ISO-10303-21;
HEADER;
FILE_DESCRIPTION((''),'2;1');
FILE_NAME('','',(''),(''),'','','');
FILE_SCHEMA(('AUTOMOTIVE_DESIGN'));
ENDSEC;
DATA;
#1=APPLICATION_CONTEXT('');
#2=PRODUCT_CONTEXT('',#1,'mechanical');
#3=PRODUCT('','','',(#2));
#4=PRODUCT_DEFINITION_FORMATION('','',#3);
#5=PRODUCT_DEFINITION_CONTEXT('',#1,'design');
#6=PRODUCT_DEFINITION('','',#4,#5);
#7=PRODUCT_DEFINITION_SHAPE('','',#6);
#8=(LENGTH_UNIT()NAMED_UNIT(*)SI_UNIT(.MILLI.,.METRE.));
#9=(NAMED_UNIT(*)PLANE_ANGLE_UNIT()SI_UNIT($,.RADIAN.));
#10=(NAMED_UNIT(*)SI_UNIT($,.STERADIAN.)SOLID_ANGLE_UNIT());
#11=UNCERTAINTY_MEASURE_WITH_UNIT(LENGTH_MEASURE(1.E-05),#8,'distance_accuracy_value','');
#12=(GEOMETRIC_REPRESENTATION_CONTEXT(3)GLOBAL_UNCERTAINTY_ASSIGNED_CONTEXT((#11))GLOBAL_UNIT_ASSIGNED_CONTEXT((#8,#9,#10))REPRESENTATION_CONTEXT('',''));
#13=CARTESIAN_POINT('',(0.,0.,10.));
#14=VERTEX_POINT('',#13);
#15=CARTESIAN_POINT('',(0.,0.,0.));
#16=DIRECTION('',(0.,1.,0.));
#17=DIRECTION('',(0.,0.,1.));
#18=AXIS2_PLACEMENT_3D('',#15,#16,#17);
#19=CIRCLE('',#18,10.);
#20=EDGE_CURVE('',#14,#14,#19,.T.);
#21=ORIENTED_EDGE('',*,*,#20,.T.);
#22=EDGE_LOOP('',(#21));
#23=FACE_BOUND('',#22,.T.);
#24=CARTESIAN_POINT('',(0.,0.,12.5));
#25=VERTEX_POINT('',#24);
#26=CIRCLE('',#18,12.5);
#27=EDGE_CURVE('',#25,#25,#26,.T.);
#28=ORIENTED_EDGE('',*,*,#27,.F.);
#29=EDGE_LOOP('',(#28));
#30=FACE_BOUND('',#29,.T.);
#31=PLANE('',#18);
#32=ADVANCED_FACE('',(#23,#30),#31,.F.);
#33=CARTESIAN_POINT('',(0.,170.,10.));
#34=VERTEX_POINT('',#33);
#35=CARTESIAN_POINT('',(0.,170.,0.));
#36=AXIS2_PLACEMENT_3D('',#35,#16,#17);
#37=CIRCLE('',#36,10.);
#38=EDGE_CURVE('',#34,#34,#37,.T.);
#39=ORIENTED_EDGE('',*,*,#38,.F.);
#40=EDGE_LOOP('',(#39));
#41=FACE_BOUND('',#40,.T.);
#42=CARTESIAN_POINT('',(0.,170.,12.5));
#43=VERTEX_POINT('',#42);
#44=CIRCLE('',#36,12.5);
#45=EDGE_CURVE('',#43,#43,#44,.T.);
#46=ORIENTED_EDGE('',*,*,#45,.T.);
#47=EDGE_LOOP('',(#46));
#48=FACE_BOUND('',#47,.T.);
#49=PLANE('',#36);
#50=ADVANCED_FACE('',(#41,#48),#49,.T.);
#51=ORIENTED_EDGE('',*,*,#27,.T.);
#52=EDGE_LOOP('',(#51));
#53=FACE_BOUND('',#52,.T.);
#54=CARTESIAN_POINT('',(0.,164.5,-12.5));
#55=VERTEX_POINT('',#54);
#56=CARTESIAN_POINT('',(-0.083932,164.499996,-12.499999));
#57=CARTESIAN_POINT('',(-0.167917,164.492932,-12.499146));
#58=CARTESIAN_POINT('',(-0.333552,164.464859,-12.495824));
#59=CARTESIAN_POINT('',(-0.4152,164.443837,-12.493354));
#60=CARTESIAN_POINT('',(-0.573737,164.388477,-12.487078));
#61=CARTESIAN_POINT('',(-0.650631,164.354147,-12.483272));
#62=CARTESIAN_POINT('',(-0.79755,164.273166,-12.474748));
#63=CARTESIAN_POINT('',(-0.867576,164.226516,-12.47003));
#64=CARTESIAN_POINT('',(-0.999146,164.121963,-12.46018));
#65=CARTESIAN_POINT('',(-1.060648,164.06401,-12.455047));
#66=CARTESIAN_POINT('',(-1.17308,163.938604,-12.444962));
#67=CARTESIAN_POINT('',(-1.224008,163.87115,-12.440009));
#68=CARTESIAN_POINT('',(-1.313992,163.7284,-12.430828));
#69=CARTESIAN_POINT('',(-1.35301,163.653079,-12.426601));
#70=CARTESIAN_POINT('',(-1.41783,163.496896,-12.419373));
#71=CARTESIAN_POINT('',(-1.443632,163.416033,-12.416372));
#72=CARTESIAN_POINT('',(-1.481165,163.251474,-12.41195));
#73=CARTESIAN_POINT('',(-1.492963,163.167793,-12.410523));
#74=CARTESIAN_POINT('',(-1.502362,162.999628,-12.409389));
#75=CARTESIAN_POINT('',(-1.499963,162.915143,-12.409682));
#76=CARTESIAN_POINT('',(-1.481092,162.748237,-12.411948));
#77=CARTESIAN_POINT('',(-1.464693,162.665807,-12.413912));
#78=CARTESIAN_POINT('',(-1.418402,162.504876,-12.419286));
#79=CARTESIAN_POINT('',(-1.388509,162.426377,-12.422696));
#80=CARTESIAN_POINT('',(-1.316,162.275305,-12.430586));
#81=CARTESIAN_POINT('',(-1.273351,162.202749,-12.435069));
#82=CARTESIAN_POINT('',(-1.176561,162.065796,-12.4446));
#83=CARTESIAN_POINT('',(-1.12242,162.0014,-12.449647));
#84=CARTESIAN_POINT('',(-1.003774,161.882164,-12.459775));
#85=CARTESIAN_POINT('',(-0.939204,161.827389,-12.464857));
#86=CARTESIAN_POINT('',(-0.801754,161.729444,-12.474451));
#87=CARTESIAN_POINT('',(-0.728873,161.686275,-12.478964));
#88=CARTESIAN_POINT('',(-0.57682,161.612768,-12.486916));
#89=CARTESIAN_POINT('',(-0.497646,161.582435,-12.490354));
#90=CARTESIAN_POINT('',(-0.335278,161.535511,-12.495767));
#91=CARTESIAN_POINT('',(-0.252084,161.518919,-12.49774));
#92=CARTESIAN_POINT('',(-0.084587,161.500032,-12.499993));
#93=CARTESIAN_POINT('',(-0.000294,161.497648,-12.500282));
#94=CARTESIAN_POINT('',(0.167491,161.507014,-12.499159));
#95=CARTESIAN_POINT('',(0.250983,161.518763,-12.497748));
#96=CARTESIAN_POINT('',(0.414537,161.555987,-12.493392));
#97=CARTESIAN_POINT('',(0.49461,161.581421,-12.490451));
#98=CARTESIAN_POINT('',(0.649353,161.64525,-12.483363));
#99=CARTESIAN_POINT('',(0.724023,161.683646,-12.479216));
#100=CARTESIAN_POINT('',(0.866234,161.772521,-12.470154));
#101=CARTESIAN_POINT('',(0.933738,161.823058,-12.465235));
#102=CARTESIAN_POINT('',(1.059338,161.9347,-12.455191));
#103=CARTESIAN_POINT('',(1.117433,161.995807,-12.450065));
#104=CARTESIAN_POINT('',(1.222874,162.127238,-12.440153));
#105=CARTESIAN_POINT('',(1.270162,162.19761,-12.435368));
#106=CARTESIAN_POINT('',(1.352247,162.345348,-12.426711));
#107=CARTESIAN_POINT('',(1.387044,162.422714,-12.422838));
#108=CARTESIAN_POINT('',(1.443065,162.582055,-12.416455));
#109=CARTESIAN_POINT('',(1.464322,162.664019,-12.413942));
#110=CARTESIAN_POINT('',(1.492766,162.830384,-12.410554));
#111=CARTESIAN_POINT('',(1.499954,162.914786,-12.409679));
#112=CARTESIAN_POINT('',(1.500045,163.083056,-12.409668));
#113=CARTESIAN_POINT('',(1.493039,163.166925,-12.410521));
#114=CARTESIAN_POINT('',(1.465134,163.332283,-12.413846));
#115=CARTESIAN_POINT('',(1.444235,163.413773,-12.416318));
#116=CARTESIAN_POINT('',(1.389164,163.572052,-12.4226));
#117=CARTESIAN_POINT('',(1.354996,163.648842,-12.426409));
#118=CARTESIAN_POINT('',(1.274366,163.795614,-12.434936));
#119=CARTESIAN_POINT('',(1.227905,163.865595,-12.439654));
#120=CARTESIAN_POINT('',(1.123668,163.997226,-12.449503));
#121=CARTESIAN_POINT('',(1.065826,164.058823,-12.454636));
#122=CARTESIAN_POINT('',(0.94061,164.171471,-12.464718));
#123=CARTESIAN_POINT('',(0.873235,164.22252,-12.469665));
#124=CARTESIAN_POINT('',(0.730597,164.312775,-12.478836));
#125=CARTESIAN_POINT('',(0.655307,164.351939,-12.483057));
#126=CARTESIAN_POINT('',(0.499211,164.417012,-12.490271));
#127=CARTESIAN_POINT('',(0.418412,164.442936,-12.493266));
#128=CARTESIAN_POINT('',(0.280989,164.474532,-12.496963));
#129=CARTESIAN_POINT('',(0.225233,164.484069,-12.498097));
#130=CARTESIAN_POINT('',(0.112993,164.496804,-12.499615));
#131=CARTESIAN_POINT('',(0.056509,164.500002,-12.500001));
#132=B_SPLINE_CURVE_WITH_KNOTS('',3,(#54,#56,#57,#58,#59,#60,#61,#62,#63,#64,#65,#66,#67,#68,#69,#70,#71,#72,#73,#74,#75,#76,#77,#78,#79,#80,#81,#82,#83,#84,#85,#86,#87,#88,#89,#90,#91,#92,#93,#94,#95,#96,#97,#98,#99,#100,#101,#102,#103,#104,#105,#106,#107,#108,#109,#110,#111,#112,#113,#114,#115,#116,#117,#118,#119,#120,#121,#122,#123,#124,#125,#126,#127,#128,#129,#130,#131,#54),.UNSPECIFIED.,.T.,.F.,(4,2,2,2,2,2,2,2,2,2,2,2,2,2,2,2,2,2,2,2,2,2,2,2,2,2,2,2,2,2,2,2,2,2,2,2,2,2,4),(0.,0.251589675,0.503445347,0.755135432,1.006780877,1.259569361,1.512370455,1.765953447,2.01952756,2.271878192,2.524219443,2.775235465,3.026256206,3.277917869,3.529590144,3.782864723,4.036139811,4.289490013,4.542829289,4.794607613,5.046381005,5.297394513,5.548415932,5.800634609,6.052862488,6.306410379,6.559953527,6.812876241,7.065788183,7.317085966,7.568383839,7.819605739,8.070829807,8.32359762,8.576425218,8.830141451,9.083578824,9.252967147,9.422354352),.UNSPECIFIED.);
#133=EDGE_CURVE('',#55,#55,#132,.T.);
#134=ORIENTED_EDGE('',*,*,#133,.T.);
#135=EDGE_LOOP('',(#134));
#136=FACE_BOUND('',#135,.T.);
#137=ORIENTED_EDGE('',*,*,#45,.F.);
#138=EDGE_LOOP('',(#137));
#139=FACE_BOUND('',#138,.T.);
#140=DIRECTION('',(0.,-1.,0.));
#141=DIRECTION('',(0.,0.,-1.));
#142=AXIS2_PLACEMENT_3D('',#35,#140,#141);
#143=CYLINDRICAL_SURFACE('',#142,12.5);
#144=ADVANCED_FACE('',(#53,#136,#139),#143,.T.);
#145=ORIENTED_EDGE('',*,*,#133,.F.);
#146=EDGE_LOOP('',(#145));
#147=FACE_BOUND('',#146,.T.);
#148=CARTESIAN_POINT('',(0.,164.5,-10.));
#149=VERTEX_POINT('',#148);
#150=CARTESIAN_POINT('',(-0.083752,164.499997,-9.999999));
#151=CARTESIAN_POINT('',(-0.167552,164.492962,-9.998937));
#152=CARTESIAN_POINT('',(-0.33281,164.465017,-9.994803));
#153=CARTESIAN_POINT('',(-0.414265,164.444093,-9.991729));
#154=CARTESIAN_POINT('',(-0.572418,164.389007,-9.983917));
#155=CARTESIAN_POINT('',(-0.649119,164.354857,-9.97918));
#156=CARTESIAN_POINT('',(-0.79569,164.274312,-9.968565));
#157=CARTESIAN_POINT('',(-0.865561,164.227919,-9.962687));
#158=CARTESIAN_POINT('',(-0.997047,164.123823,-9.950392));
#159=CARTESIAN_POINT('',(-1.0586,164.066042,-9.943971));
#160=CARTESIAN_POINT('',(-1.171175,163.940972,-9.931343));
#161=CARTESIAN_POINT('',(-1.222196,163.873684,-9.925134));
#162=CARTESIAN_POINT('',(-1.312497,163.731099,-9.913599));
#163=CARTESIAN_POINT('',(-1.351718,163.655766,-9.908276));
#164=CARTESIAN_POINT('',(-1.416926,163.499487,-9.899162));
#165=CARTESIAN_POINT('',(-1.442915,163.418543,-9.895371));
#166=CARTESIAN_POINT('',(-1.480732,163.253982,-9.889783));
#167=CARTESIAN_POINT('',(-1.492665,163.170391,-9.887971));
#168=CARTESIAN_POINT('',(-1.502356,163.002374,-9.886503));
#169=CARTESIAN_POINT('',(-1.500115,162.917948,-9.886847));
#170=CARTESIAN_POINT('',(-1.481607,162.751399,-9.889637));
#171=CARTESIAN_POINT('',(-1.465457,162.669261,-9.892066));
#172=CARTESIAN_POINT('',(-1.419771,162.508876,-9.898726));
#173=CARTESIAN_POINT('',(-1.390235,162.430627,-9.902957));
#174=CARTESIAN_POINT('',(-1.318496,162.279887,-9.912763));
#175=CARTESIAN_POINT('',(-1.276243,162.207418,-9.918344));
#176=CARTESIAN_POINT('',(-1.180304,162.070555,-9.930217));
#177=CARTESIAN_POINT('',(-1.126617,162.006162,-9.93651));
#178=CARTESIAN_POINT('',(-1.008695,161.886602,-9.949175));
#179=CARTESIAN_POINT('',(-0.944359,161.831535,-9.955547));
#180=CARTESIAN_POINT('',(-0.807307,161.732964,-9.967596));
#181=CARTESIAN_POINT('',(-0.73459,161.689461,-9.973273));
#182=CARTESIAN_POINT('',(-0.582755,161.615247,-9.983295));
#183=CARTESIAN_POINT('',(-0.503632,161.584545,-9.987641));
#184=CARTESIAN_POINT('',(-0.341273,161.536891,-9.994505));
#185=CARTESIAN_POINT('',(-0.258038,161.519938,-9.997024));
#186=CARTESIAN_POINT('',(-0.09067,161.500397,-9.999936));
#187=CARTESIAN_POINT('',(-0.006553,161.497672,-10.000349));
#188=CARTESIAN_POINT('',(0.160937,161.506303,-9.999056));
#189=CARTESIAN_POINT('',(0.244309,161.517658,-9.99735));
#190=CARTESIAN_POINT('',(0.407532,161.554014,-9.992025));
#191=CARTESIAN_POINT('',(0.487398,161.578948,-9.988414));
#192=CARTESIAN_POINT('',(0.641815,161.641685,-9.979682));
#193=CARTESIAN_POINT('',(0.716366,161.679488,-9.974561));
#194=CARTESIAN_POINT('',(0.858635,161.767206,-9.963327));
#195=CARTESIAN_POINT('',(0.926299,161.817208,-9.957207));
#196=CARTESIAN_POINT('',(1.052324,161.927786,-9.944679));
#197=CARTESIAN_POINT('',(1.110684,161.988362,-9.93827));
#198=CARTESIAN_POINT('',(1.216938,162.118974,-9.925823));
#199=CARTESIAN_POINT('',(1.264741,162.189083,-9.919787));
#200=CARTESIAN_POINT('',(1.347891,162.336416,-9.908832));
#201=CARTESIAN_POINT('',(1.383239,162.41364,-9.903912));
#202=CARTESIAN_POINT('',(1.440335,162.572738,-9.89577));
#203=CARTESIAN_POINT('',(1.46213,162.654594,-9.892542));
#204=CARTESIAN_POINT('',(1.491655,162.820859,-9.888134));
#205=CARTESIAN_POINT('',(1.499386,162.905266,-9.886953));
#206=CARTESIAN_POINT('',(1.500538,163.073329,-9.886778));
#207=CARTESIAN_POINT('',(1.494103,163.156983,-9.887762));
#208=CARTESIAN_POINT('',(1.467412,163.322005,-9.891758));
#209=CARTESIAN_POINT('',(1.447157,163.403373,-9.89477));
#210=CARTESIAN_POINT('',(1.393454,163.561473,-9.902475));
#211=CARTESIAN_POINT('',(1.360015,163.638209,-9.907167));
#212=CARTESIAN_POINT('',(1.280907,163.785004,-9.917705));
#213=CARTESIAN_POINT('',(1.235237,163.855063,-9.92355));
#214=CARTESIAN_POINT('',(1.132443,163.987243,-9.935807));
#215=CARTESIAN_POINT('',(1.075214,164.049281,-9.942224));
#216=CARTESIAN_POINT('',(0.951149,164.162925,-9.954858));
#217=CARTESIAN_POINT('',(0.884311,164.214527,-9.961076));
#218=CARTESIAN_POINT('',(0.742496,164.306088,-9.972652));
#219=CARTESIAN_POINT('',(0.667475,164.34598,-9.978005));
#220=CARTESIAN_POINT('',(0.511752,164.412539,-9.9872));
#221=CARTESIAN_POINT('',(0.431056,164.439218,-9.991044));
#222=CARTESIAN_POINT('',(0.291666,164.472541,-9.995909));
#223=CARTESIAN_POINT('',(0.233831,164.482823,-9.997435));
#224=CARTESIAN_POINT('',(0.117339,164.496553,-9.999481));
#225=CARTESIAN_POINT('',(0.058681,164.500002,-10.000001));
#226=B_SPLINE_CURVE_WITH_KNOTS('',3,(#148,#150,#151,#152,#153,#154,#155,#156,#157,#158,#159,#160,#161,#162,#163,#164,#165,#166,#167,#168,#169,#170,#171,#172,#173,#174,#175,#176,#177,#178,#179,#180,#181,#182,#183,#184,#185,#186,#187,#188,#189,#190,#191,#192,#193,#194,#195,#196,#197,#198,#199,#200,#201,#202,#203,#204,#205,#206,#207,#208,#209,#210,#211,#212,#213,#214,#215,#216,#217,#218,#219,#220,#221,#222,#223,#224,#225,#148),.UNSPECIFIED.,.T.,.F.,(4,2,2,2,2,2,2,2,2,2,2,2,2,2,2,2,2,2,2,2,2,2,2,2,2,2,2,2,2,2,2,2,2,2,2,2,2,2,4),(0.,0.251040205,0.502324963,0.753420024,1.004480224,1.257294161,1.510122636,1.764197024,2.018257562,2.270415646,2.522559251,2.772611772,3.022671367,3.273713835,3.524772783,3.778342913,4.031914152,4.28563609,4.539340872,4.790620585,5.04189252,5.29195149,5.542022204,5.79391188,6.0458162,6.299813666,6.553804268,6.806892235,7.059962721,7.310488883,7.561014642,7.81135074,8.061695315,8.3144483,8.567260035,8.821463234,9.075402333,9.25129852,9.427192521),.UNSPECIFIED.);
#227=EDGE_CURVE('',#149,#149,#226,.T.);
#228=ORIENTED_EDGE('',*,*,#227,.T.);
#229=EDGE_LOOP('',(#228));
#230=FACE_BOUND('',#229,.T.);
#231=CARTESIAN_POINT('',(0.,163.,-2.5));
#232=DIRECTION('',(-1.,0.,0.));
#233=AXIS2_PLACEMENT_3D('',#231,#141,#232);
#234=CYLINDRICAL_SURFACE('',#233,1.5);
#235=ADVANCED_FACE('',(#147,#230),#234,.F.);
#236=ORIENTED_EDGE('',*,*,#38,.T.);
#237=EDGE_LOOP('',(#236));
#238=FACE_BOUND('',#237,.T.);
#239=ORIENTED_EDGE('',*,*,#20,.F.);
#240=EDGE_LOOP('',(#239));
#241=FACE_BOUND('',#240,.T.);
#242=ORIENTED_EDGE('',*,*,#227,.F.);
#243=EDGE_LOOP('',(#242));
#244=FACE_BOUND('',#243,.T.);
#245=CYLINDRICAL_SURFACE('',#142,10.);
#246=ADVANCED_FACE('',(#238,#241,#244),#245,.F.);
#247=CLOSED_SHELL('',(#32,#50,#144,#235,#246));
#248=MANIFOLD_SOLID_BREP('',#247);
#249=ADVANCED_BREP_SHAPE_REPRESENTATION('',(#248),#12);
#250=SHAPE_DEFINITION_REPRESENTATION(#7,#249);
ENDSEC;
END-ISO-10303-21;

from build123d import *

# Parameters (mm, degrees)
SKETCH1_R           = 12.5
SKETCH1_R_2         = 10
BOSS_EXTRUDE1_DEPTH = 170
SKETCH2_R           = 1.5
CUT_EXTRUDE1_DEPTH  = 10


with BuildPart() as part:
    # Sketch1 → Boss-Extrude1 (new body)
    with BuildSketch(Plane(origin=(0, 0, 0), x_dir=(1, 0, 0), z_dir=(0, 1, 0))):
        with Locations(Location((0, 0, 0), (0, 0, 270))):
            Circle(SKETCH1_R)
        with Locations(Location((0, 0, 0), (0, 0, 270))):
            Circle(SKETCH1_R_2, mode=Mode.SUBTRACT)
    extrude(amount=BOSS_EXTRUDE1_DEPTH)

    # Sketch2 → Cut-Extrude1 (cut)
    with BuildSketch(Plane(origin=(0, 0, -12.5), x_dir=(-1, 0, 0), z_dir=(0, 0, -1))):
        with Locations(Location((0, 163, 0), (0, 0, 90))):
            Circle(SKETCH2_R)
    extrude(amount=-CUT_EXTRUDE1_DEPTH, mode=Mode.SUBTRACT)


solid = part.part
